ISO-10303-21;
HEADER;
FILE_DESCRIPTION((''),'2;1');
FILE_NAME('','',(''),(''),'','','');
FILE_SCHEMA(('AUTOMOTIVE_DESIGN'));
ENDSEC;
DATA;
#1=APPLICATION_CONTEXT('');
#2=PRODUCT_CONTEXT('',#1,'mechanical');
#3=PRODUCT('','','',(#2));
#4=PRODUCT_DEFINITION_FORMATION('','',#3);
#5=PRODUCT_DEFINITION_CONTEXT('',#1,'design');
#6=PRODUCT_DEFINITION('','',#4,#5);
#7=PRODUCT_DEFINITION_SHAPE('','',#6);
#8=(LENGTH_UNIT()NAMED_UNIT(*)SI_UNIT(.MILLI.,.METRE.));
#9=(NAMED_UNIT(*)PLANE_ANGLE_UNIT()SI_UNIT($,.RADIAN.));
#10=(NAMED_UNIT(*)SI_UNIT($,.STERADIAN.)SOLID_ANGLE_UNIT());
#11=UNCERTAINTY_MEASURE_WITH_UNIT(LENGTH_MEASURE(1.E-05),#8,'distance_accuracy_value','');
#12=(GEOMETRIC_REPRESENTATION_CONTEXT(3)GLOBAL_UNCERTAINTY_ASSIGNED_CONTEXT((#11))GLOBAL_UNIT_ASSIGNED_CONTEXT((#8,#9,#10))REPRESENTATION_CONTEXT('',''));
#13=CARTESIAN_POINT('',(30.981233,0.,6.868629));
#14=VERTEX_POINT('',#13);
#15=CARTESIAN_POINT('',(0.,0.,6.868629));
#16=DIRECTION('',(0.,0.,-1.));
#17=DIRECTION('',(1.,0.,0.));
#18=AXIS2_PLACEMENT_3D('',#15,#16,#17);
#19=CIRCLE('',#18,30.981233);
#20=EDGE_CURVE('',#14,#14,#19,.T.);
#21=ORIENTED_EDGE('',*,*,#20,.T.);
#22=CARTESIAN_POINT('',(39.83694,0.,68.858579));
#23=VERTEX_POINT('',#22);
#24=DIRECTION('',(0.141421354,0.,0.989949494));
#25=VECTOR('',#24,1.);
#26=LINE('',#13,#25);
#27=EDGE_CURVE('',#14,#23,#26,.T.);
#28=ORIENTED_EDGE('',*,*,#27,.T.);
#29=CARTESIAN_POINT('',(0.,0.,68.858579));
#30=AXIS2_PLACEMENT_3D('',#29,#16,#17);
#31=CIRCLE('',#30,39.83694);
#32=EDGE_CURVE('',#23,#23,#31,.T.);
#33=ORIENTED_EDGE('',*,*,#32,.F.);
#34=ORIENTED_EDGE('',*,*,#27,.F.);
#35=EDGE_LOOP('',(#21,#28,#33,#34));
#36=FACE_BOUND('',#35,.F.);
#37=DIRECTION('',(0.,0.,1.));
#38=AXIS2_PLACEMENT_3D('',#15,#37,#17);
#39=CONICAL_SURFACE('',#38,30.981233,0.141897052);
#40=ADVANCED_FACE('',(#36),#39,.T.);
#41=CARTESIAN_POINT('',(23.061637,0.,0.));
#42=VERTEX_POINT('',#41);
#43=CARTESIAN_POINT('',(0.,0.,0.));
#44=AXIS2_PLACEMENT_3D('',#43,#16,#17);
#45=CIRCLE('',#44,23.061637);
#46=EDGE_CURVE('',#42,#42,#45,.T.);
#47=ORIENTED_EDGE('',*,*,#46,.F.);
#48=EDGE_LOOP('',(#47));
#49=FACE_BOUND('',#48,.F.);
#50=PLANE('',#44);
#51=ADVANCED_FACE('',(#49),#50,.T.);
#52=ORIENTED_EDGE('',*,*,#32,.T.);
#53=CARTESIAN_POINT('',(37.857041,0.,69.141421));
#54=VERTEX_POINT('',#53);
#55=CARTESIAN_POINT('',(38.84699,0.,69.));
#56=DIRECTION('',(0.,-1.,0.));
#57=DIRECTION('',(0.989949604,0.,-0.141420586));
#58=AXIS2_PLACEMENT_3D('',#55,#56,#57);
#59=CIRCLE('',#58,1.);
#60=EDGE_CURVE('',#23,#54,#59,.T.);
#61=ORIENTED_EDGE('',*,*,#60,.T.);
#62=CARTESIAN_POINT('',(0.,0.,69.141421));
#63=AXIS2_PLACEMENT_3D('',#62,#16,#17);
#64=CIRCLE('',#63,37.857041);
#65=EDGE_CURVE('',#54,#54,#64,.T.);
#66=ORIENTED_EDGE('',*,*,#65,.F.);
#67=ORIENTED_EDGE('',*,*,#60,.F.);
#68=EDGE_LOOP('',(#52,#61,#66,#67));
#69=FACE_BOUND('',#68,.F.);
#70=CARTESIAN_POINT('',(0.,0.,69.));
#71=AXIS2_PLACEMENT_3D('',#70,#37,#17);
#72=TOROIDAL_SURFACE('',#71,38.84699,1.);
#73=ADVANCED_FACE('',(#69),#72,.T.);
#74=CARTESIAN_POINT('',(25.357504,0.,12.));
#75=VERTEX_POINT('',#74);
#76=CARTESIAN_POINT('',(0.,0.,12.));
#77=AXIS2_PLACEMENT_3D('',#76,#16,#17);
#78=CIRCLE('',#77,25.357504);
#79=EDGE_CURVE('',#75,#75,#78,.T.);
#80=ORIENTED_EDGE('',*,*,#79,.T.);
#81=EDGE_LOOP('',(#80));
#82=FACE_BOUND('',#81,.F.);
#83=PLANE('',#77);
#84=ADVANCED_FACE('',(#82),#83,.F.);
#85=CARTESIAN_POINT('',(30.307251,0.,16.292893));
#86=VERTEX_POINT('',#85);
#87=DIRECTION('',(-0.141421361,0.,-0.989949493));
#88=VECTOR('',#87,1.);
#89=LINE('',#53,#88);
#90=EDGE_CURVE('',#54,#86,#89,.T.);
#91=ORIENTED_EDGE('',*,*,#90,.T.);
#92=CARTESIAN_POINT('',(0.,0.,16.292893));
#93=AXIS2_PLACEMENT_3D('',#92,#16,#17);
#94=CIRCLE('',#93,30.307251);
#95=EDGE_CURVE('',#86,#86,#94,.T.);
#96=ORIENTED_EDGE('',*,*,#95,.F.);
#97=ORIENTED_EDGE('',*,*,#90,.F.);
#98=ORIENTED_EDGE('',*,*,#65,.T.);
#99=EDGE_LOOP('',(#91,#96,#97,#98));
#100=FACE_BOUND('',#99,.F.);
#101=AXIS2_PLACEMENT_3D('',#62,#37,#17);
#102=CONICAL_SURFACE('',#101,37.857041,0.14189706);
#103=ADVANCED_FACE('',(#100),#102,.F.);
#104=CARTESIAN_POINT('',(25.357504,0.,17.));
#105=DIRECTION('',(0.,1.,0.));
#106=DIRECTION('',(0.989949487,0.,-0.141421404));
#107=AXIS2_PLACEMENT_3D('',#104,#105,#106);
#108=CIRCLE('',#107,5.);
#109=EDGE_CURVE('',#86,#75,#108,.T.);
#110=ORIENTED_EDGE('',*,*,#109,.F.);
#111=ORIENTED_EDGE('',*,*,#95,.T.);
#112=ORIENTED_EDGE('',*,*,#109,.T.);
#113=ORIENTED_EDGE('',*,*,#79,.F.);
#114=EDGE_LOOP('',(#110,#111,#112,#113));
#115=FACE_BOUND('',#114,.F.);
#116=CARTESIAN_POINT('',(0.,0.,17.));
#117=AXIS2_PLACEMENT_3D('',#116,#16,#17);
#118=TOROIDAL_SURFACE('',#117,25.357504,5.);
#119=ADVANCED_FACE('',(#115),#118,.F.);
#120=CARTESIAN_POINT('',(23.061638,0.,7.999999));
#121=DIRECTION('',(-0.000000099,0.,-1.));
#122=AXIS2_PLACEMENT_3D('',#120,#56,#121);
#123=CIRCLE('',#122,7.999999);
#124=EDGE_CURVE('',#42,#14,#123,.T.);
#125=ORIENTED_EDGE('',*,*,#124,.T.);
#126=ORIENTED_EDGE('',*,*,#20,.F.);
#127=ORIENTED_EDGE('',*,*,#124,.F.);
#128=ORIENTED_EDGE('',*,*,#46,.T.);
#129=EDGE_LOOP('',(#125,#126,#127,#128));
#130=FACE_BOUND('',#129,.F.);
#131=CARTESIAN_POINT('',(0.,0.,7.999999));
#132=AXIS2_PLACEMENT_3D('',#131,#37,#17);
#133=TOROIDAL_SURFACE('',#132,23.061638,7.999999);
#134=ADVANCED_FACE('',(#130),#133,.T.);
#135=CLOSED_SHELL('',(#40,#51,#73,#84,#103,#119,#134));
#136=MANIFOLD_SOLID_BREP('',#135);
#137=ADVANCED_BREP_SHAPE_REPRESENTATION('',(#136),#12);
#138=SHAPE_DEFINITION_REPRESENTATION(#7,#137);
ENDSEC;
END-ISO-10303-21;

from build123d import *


with BuildPart() as f1:
    # F0 (on Front) → F1 (revolve)
    with BuildSketch(Plane.XZ):
        with BuildLine():
            Line((0, 12), (0, 0))
            Line((0, 0), (23.061637, 0))
            ThreePointArc((23.061637, 0), (28.303251, 1.956368), (30.981233, 6.868629))
            Line((30.981233, 6.868629), (39.83694, 68.858579))
            ThreePointArc((39.83694, 68.858579), (38.988412, 69.989949), (37.857041, 69.141421))
            Line((37.857041, 69.141421), (30.307251, 16.292893))
            ThreePointArc((30.307251, 16.292893), (28.633512, 13.22273), (25.357504, 12))
            Line((25.357504, 12), (0, 12))
        make_face()
    revolve(axis=Axis((0, 0, 6), (0, 0, -1)))


solid = f1.part
